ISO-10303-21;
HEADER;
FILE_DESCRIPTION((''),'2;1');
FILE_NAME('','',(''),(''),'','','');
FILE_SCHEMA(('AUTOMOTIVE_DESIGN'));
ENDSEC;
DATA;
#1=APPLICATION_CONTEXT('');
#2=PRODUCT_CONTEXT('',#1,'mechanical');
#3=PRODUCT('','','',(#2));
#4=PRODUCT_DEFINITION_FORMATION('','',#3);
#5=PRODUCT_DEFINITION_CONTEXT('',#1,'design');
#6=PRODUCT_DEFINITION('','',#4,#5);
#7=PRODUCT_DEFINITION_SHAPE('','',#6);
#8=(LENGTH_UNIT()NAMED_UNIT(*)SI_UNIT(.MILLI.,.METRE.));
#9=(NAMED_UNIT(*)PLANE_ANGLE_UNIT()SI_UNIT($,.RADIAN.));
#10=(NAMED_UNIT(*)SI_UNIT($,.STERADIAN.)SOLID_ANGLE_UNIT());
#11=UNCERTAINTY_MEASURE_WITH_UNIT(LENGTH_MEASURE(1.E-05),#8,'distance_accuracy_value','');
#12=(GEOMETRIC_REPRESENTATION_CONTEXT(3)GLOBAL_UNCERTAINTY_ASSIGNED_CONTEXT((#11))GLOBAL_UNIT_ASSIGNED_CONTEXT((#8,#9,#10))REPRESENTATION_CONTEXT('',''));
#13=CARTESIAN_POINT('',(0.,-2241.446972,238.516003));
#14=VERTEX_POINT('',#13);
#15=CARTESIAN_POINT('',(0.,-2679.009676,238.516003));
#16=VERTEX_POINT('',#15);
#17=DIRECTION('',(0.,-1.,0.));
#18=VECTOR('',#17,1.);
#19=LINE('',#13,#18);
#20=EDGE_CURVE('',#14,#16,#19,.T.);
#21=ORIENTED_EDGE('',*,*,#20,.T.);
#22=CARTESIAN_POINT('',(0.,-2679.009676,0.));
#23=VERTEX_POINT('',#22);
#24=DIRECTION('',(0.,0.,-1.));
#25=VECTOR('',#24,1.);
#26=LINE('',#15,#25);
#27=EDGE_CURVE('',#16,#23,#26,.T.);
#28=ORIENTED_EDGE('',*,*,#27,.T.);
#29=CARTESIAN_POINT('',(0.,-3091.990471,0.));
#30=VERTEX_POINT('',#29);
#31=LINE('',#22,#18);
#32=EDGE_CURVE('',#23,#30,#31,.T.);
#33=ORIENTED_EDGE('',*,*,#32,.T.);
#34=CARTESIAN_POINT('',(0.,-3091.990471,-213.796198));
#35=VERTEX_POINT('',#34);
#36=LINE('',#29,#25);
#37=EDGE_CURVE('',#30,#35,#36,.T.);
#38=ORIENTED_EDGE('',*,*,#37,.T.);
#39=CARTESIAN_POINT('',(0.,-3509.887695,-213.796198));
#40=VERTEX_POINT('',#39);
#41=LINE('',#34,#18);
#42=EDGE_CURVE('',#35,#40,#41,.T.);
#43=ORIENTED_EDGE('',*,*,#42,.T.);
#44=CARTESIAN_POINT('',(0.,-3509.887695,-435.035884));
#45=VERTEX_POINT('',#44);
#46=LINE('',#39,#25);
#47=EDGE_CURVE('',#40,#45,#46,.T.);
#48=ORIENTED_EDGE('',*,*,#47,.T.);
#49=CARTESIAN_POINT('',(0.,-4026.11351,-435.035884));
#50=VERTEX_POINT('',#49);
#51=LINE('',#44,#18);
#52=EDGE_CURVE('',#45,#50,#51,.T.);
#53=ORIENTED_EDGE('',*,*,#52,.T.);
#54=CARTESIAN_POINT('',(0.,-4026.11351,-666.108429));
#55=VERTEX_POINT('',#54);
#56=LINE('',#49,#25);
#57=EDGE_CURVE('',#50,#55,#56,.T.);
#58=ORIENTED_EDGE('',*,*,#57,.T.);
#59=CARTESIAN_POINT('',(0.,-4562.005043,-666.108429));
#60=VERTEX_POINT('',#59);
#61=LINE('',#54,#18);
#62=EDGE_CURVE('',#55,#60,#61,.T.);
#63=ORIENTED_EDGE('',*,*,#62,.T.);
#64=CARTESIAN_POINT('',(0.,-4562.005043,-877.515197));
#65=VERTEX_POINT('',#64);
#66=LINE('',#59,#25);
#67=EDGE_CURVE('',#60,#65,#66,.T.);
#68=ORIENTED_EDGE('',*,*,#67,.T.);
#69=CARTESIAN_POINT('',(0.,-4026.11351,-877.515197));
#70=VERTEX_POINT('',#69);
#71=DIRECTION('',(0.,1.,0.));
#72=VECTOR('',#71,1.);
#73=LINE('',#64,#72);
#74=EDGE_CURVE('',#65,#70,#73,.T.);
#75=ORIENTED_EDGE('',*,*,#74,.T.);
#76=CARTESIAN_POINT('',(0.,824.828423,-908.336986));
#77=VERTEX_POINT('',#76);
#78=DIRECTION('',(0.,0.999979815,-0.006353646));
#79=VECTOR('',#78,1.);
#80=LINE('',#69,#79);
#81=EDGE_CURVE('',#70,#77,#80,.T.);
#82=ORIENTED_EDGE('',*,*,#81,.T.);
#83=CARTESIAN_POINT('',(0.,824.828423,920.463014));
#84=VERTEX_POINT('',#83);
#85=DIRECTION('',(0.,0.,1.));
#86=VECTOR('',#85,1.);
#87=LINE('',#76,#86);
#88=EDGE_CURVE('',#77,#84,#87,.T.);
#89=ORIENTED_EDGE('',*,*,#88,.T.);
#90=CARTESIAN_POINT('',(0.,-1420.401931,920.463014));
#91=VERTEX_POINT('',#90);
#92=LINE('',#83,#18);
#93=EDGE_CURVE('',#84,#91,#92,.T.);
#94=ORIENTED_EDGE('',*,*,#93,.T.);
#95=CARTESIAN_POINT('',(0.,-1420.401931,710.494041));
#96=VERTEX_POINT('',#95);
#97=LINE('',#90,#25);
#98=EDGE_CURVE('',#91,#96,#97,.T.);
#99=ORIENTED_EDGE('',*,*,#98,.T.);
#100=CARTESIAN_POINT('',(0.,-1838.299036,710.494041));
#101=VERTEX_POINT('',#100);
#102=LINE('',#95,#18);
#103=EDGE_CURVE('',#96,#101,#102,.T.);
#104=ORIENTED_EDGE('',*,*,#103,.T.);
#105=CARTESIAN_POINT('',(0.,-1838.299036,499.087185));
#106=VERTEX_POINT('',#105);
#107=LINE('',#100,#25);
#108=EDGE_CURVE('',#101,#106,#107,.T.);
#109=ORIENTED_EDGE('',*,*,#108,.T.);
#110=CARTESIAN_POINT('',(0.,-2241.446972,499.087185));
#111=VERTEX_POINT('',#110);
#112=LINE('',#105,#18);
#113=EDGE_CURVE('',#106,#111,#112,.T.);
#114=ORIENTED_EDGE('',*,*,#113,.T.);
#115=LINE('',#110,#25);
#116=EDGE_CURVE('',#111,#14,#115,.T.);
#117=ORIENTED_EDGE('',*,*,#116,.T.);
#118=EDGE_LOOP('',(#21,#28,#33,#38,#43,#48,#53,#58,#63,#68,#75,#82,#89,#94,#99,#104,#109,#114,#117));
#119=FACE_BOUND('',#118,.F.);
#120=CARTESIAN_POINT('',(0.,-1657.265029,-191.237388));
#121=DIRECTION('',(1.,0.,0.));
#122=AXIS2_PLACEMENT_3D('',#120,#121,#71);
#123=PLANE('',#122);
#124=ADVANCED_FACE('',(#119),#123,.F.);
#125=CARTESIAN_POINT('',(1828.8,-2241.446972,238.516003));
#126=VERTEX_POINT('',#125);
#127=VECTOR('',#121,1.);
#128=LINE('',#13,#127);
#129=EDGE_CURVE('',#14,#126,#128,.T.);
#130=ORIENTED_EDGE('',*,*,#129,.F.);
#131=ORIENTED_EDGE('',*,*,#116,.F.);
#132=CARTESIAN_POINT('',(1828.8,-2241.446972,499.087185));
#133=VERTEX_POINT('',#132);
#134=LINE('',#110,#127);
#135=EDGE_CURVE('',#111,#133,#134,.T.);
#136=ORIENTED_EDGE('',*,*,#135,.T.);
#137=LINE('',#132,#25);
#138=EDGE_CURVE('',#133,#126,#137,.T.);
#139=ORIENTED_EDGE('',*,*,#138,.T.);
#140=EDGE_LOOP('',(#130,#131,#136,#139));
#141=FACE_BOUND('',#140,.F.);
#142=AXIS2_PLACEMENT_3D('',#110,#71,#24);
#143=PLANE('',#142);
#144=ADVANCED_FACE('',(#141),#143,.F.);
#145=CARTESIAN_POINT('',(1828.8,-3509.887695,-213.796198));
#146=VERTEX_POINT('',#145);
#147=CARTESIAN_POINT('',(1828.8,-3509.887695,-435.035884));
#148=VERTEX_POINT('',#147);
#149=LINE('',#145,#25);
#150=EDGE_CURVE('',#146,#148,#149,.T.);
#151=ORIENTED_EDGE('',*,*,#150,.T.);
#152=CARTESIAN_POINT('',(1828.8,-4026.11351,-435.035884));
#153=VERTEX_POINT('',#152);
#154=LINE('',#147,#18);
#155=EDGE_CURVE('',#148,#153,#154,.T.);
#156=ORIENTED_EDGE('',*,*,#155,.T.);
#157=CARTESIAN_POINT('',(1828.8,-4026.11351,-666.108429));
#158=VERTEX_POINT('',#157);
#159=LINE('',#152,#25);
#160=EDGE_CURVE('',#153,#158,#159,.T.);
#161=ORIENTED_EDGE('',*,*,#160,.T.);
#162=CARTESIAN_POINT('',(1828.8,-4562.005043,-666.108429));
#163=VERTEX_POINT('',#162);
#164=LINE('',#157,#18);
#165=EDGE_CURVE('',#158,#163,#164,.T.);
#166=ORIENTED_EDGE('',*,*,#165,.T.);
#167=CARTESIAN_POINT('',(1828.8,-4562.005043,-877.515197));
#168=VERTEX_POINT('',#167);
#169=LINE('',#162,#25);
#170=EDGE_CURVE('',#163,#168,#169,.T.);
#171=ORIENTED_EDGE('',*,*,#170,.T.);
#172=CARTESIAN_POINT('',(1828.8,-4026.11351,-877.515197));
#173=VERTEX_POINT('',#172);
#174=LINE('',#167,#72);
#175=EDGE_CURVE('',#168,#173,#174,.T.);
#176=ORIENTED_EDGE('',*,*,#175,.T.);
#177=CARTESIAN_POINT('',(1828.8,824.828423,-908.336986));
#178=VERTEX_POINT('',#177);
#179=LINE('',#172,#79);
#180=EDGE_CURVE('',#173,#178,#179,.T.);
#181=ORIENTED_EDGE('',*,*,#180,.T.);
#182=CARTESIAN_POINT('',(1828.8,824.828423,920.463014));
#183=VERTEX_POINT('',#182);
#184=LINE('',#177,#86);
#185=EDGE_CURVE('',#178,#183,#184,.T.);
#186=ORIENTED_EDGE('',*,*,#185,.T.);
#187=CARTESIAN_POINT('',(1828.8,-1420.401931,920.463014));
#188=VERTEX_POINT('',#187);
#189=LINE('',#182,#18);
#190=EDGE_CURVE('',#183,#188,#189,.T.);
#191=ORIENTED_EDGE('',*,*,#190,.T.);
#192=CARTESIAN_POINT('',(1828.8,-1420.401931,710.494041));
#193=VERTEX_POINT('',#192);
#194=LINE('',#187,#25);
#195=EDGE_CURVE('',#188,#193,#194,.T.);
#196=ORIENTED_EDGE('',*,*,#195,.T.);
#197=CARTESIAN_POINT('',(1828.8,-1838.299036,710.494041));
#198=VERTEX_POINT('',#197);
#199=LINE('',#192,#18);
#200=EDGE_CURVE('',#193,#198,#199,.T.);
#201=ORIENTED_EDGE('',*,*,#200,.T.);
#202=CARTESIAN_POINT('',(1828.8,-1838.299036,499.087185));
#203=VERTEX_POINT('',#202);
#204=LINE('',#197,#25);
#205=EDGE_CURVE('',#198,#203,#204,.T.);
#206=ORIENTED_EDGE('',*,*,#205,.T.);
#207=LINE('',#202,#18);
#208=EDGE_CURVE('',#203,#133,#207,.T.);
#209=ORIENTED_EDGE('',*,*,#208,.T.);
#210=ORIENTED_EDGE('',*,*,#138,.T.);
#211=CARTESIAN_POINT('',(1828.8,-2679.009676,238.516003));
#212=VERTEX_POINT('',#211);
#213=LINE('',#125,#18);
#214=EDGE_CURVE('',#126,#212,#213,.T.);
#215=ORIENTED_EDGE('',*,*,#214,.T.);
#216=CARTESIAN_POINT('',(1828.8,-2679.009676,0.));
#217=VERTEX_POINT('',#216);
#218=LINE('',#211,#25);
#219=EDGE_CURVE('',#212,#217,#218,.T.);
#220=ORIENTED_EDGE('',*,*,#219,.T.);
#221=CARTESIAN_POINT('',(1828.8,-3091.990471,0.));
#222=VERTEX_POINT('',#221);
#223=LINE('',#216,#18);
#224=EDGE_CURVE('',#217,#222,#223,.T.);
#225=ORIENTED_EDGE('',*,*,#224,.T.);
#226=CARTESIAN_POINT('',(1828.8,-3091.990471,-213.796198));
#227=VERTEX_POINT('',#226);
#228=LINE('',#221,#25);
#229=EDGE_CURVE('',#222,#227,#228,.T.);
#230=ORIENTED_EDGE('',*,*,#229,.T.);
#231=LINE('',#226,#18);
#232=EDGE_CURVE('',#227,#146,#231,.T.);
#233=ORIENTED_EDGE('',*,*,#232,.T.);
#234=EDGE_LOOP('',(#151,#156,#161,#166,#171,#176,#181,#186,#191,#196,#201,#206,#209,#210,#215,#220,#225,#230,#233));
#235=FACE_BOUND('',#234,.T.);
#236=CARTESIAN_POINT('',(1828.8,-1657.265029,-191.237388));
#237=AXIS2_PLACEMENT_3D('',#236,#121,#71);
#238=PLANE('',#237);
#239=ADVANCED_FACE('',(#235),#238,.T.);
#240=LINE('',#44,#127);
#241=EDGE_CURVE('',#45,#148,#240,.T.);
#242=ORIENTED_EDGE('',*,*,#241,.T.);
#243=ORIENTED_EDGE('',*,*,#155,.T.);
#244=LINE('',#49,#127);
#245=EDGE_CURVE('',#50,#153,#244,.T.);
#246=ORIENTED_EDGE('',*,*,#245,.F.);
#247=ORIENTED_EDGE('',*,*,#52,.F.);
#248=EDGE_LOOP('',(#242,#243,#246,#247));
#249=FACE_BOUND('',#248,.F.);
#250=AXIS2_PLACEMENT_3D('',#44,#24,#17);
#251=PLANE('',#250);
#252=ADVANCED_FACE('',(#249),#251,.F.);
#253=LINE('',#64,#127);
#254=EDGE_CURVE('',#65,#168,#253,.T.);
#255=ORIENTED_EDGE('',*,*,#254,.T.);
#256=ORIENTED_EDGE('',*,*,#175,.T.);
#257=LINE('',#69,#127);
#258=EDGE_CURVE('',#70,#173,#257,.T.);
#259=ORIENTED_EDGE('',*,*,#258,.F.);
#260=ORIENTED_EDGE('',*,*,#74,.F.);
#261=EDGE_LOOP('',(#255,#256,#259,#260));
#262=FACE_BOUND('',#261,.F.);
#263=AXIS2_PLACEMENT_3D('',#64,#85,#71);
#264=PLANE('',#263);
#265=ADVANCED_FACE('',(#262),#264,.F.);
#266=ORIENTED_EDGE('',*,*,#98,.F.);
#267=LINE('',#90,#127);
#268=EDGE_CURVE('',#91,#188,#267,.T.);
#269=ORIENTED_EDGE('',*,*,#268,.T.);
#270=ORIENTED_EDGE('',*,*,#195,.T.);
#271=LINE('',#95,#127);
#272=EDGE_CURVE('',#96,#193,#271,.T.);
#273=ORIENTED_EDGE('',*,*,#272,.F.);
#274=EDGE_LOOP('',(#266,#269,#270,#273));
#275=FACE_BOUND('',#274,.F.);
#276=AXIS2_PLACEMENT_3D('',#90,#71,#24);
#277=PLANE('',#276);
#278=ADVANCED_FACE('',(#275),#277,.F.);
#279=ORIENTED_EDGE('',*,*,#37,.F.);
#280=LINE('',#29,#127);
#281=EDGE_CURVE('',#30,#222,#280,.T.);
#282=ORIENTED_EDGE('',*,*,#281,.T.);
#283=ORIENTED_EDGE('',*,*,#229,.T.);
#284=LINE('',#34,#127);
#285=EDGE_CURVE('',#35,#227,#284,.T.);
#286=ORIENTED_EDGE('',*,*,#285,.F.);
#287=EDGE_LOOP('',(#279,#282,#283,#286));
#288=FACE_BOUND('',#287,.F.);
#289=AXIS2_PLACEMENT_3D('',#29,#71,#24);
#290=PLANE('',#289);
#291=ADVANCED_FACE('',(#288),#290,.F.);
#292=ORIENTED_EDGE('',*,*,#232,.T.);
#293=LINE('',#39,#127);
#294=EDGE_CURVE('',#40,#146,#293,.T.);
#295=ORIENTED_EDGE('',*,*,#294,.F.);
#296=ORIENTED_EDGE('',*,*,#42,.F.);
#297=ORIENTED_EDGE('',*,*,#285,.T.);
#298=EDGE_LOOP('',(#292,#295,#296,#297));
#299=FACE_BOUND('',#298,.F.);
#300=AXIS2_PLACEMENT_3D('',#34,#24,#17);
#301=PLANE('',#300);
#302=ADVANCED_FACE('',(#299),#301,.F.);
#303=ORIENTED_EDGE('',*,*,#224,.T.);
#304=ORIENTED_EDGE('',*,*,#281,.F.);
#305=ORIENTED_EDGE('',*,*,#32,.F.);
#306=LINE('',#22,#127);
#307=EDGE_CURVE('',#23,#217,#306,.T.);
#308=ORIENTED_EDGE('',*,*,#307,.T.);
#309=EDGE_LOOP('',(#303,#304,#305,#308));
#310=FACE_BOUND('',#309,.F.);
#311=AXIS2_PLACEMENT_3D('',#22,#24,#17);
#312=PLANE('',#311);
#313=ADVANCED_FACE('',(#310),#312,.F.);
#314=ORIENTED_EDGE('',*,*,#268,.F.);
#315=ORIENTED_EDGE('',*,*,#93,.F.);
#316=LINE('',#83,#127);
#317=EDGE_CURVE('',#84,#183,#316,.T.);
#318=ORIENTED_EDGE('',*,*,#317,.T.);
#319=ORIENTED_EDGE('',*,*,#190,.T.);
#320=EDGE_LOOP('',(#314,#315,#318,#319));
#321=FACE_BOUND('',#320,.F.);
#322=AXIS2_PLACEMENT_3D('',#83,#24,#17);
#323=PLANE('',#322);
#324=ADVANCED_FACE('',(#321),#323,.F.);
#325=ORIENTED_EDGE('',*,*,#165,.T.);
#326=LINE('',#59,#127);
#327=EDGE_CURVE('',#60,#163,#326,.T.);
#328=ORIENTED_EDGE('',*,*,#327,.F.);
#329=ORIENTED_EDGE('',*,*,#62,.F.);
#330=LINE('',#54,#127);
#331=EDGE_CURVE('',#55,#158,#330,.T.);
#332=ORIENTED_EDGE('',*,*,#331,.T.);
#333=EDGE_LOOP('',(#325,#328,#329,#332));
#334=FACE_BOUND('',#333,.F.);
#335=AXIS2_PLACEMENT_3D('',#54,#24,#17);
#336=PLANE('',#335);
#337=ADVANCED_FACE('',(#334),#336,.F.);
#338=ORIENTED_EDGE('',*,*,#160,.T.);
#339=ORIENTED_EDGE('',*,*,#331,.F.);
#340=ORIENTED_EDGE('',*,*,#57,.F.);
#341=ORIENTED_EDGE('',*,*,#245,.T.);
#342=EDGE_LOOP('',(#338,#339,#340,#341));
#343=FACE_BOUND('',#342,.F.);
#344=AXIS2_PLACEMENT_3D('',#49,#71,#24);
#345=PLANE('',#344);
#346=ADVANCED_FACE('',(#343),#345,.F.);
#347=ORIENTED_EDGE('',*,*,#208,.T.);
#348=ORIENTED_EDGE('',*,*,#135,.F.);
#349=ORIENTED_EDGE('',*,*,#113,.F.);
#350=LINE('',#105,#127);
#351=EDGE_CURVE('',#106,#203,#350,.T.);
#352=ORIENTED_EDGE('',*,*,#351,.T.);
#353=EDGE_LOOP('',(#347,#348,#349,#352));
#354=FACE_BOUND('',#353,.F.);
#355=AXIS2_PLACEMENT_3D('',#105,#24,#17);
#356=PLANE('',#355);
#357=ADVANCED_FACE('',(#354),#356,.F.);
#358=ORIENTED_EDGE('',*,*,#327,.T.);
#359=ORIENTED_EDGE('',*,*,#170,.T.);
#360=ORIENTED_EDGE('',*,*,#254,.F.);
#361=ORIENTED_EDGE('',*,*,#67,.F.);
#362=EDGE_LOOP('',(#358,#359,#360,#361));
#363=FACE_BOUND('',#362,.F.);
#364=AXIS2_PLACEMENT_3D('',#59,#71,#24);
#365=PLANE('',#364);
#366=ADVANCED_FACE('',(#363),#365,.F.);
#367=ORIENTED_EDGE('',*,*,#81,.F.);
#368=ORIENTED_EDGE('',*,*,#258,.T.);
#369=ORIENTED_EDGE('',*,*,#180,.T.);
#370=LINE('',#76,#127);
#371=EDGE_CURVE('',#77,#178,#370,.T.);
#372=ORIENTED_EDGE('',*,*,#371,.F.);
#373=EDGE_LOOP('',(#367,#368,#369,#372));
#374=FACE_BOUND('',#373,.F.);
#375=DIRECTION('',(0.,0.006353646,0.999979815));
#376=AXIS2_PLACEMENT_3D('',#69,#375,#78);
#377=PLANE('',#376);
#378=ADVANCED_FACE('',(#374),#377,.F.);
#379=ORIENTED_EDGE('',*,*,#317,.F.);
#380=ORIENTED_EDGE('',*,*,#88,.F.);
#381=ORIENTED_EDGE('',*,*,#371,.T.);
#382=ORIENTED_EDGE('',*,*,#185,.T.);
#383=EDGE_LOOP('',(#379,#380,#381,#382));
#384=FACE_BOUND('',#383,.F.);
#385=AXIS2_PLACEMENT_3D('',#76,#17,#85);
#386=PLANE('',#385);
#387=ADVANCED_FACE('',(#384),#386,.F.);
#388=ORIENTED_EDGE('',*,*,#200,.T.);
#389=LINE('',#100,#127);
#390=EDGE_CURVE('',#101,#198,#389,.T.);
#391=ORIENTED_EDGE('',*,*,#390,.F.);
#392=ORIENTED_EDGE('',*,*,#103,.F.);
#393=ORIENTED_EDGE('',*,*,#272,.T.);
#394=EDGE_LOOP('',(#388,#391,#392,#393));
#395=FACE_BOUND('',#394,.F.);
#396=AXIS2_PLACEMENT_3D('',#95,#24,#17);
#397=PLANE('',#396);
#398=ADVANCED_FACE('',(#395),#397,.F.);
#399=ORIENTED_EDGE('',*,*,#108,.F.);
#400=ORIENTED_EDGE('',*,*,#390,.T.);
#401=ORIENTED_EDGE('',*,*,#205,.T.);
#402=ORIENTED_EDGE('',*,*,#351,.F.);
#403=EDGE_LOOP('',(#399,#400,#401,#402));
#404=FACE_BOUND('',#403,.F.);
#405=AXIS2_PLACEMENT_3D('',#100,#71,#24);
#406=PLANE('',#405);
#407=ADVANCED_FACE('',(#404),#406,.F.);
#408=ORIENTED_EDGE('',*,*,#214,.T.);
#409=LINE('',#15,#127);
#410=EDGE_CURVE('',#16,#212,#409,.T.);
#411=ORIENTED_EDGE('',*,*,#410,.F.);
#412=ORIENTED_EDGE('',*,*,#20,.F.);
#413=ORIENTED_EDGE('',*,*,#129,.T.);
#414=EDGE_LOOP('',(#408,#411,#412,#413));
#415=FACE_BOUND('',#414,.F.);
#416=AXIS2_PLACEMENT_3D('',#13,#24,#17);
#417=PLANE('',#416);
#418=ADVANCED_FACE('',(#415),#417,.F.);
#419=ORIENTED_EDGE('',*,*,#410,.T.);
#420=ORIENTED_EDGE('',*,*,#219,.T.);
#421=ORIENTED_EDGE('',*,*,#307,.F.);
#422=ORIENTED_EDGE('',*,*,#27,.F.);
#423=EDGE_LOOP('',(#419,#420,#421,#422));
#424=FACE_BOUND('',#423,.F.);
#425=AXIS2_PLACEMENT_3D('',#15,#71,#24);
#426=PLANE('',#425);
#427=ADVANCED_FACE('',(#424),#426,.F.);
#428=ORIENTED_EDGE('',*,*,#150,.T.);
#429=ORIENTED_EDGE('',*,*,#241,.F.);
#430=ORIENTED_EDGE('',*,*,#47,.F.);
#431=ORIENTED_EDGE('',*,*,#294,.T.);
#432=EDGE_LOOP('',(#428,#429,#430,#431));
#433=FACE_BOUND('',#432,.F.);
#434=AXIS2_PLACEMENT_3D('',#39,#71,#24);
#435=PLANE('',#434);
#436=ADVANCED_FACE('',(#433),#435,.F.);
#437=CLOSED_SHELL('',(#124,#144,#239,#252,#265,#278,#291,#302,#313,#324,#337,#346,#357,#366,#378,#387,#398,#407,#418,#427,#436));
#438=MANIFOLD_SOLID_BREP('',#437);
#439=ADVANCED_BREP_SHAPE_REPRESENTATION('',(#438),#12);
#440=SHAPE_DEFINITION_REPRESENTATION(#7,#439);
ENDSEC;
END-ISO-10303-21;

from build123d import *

# Parameters (mm, degrees)
F1_DEPTH = 1828.8


with BuildPart() as f1:
    # F0 (on Right) → F1 (new body)
    with BuildSketch(Plane.YZ):
        Polygon((824.828423, -908.336986), (824.828423, 920.463014), (-1003.971577, 920.463014), (-1420.401931, 920.463014), (-1420.401931, 710.494041), (-1838.299036, 710.494041), (-1838.299036, 499.087185), (-2241.446972, 499.087185), (-2241.446972, 238.516003), (-2679.009676, 238.516003), (-2679.009676, 0), (-3091.990471, 0), (-3091.990471, -213.796198), (-3509.887695, -213.796198), (-3509.887695, -435.035884), (-4026.11351, -435.035884), (-4026.11351, -666.108429), (-4562.005043, -666.108429), (-4562.005043, -877.515197), (-4026.11351, -877.515197), align=None)
    extrude(amount=F1_DEPTH)


solid = f1.part
